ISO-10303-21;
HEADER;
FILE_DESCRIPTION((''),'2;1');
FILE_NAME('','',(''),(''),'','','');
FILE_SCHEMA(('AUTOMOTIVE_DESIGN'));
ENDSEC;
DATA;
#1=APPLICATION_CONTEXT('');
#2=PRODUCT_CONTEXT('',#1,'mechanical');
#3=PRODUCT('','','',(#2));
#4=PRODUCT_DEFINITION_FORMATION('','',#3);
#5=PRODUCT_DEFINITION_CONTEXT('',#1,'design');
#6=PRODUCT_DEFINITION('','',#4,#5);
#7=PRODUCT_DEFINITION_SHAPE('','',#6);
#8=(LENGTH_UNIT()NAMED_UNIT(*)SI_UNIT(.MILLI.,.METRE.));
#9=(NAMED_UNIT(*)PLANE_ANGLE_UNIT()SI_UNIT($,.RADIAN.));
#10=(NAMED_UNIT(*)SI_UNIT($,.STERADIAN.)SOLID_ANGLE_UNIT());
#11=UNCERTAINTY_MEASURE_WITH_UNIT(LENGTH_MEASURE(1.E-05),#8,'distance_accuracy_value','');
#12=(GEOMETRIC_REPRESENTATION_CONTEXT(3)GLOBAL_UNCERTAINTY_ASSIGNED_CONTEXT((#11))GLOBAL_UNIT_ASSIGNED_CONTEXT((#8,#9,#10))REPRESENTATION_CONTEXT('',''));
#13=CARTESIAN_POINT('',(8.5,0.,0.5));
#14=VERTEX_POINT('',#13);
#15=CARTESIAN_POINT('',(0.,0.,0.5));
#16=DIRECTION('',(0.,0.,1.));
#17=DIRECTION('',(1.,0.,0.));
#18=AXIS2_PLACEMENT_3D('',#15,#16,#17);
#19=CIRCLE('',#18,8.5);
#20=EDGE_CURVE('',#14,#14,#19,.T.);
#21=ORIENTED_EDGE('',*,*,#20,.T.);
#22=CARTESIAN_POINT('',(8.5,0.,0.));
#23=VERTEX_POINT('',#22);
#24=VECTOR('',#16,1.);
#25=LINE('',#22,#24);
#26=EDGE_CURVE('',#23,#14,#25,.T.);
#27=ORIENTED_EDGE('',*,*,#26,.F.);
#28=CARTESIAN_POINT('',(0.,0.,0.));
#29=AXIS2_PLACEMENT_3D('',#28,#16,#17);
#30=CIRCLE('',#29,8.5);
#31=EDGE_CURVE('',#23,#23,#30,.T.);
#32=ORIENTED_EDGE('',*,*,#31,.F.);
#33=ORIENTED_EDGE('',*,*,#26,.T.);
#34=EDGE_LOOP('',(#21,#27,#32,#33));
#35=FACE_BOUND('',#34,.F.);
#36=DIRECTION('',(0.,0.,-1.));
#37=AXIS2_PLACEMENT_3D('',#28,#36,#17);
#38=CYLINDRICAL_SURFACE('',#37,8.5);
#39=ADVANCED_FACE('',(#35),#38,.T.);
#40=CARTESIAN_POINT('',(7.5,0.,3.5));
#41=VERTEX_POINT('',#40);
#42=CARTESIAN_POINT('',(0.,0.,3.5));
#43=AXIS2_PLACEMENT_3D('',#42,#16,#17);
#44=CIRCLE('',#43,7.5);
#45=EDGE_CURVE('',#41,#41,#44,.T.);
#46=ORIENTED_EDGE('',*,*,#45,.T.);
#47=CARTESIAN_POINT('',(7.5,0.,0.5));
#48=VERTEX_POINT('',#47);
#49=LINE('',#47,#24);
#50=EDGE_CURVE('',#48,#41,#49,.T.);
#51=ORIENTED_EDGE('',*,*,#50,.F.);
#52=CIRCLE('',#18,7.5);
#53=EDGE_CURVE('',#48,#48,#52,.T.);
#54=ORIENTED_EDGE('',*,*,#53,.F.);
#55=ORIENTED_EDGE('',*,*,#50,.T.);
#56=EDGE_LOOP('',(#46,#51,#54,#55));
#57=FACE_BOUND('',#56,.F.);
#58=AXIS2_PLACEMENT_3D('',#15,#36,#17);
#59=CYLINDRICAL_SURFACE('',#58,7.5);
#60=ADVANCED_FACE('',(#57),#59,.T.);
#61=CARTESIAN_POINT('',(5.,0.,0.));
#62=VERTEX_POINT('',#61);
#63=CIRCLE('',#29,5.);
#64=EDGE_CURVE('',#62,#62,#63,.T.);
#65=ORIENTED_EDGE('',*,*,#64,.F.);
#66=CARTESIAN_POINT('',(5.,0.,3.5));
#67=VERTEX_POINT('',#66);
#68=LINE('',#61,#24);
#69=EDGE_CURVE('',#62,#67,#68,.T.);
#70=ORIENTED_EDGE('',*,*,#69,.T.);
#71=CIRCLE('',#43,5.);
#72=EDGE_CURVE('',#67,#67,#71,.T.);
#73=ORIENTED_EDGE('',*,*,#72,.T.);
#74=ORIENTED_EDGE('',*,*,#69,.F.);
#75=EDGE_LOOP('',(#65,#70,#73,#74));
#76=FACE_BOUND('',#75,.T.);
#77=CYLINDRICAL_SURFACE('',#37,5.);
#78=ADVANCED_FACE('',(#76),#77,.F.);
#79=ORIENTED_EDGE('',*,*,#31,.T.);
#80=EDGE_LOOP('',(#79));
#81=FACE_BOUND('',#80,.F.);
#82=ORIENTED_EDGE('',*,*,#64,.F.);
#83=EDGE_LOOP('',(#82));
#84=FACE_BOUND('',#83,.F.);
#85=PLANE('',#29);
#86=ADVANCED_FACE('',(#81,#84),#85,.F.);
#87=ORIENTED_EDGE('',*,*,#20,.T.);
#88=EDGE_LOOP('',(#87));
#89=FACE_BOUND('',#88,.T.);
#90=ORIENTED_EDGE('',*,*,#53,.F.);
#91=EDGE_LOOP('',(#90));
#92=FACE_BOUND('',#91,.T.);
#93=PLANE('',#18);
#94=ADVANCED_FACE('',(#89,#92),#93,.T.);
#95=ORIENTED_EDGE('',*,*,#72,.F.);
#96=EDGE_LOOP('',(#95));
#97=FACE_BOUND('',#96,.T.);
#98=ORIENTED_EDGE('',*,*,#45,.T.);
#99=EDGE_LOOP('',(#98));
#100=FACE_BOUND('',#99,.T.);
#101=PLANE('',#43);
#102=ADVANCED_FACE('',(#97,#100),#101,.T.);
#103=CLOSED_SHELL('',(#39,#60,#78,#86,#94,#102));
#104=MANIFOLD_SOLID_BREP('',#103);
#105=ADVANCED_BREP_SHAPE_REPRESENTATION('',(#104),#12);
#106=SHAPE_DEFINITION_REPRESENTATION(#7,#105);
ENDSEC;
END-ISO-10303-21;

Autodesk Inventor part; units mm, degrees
ref_plane "YZ Plane" through (0, 0, 0) normal (1, 0, 0) x (0, 1, 0)
ref_plane "XZ Plane" through (0, 0, 0) normal (0, 1, 0) x (-1, 0, 0)
ref_plane "XY Plane" through (0, 0, 0) normal (0, 0, 1) x (1, 0, 0)
sketch "スケッチ1" plane through (0, 0, 0) normal (0, 0, 1) x (1, 0, 0)
  circle A0 centre (0, 0) radius 5
  circle A1 centre (0, 0) radius 8.5
  dimension "d0" = 10
  dimension "d1" = 17
extrude "押し出し1" add sketch "スケッチ1" along normal blind 0.5
sketch "スケッチ2" plane through (0, 0, 0.5) normal (0, 0, 1) x (1, 0, 0)
  circle A0 centre (0, 0) radius 7.5
  dimension "d4" = 15
extrude "押し出し2" add sketch "スケッチ2" along normal blind 3
sketch "スケッチ3" plane through (0, 0, 3.5) normal (0, 0, 1) x (1, 0, 0)
  circle A0 centre (0, 0) radius 5
  dimension "d7" = 10
extrude "押し出し3" cut sketch "スケッチ3" against normal blind 5
properties part number "bearing10-15"
